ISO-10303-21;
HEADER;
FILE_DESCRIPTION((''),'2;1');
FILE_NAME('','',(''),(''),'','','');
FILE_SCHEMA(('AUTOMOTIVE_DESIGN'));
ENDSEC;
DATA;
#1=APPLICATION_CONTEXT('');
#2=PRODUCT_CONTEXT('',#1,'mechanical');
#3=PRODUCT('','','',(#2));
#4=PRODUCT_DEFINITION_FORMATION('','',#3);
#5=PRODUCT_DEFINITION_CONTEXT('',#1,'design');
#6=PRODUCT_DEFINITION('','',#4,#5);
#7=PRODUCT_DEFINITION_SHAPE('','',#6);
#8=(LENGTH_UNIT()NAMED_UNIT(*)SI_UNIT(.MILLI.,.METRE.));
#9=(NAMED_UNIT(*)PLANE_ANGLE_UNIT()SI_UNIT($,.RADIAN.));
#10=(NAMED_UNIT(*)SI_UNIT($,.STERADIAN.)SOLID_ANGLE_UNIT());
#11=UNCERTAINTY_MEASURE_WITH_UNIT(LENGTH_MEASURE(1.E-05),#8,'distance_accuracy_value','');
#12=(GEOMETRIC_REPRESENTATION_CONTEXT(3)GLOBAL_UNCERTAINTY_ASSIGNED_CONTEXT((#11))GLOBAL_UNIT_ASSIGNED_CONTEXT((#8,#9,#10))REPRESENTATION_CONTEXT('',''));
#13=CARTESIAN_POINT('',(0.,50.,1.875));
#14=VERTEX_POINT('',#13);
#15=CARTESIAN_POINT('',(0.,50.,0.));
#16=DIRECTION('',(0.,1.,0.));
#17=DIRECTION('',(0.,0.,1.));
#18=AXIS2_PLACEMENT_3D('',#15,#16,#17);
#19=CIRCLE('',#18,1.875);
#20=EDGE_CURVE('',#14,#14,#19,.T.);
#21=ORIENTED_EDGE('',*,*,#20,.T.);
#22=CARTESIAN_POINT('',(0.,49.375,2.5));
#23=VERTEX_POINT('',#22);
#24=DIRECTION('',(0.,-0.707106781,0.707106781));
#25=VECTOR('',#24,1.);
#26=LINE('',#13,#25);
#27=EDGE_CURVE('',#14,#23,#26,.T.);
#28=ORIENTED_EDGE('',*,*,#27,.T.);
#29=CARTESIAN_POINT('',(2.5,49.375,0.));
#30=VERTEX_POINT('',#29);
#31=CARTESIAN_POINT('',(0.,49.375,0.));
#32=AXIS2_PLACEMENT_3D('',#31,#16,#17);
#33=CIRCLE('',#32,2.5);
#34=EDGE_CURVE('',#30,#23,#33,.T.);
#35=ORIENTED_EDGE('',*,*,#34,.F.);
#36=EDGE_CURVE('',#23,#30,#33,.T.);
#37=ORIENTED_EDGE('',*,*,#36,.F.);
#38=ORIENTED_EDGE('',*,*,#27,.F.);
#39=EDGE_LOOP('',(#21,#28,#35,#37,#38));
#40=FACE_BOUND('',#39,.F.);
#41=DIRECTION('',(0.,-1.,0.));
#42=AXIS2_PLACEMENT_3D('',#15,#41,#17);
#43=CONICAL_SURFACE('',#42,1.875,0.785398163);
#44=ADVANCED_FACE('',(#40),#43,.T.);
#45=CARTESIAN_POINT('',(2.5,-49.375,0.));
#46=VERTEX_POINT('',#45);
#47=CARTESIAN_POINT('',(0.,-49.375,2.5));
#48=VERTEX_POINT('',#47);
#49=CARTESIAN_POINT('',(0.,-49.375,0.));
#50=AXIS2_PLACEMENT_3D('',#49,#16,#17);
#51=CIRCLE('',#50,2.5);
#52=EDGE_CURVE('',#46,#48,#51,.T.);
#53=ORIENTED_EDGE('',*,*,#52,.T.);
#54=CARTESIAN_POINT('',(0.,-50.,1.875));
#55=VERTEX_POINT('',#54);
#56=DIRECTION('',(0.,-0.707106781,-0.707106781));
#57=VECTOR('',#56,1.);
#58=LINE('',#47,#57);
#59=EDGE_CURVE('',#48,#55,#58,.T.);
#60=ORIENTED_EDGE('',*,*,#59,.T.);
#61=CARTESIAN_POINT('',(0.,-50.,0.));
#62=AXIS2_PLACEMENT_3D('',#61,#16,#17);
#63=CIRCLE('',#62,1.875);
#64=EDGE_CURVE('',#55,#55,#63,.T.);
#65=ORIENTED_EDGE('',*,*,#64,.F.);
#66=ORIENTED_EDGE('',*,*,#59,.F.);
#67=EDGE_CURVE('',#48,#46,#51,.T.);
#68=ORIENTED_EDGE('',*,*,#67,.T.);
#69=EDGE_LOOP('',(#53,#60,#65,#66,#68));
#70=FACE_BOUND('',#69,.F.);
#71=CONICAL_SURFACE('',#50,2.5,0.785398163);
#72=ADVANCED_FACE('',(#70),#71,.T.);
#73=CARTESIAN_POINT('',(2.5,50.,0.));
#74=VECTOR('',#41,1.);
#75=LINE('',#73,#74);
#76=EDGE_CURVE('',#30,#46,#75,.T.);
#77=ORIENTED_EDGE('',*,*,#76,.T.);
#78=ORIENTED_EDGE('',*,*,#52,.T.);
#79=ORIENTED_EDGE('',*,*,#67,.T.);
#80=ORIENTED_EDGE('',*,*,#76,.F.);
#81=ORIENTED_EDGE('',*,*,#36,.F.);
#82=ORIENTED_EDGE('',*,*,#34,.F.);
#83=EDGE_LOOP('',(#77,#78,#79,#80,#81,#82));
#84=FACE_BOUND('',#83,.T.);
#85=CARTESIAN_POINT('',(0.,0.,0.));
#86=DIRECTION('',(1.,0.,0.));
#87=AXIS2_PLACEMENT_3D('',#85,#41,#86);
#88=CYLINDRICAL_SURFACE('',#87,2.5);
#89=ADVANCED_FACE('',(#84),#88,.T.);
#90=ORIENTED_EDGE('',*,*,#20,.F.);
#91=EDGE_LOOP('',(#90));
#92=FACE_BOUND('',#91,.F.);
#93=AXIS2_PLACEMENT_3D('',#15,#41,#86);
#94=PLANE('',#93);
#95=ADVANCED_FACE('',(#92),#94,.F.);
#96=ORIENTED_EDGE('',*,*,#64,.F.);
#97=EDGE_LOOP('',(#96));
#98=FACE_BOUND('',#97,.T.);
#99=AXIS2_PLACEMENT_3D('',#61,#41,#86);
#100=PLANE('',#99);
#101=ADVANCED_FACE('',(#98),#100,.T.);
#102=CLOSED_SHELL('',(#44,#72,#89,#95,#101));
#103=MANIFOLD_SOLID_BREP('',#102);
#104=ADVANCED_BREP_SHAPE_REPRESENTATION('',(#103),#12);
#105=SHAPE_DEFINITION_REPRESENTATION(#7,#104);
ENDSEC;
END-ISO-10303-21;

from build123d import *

# Parameters (mm, degrees)
SKETCH_R  = 2.5
PAD_DEPTH = 50


with BuildPart() as part:
    # Sketch → Pad (new body, symmetric)
    with BuildSketch(Plane.XZ):
        Circle(SKETCH_R)
    extrude(amount=PAD_DEPTH, both=True)

    # Sketch001 → Groove (revolve, cut)
    with BuildSketch(Plane.YZ):
        Polygon((-50, 4.5), (50, 4.5), (50, 1.875), (49.375, 2.5), (-49.375, 2.5), (-50, 1.875), align=None)
    revolve(axis=Axis((0, 0, 0), (0, 1, 0)), mode=Mode.SUBTRACT)


solid = part.part
